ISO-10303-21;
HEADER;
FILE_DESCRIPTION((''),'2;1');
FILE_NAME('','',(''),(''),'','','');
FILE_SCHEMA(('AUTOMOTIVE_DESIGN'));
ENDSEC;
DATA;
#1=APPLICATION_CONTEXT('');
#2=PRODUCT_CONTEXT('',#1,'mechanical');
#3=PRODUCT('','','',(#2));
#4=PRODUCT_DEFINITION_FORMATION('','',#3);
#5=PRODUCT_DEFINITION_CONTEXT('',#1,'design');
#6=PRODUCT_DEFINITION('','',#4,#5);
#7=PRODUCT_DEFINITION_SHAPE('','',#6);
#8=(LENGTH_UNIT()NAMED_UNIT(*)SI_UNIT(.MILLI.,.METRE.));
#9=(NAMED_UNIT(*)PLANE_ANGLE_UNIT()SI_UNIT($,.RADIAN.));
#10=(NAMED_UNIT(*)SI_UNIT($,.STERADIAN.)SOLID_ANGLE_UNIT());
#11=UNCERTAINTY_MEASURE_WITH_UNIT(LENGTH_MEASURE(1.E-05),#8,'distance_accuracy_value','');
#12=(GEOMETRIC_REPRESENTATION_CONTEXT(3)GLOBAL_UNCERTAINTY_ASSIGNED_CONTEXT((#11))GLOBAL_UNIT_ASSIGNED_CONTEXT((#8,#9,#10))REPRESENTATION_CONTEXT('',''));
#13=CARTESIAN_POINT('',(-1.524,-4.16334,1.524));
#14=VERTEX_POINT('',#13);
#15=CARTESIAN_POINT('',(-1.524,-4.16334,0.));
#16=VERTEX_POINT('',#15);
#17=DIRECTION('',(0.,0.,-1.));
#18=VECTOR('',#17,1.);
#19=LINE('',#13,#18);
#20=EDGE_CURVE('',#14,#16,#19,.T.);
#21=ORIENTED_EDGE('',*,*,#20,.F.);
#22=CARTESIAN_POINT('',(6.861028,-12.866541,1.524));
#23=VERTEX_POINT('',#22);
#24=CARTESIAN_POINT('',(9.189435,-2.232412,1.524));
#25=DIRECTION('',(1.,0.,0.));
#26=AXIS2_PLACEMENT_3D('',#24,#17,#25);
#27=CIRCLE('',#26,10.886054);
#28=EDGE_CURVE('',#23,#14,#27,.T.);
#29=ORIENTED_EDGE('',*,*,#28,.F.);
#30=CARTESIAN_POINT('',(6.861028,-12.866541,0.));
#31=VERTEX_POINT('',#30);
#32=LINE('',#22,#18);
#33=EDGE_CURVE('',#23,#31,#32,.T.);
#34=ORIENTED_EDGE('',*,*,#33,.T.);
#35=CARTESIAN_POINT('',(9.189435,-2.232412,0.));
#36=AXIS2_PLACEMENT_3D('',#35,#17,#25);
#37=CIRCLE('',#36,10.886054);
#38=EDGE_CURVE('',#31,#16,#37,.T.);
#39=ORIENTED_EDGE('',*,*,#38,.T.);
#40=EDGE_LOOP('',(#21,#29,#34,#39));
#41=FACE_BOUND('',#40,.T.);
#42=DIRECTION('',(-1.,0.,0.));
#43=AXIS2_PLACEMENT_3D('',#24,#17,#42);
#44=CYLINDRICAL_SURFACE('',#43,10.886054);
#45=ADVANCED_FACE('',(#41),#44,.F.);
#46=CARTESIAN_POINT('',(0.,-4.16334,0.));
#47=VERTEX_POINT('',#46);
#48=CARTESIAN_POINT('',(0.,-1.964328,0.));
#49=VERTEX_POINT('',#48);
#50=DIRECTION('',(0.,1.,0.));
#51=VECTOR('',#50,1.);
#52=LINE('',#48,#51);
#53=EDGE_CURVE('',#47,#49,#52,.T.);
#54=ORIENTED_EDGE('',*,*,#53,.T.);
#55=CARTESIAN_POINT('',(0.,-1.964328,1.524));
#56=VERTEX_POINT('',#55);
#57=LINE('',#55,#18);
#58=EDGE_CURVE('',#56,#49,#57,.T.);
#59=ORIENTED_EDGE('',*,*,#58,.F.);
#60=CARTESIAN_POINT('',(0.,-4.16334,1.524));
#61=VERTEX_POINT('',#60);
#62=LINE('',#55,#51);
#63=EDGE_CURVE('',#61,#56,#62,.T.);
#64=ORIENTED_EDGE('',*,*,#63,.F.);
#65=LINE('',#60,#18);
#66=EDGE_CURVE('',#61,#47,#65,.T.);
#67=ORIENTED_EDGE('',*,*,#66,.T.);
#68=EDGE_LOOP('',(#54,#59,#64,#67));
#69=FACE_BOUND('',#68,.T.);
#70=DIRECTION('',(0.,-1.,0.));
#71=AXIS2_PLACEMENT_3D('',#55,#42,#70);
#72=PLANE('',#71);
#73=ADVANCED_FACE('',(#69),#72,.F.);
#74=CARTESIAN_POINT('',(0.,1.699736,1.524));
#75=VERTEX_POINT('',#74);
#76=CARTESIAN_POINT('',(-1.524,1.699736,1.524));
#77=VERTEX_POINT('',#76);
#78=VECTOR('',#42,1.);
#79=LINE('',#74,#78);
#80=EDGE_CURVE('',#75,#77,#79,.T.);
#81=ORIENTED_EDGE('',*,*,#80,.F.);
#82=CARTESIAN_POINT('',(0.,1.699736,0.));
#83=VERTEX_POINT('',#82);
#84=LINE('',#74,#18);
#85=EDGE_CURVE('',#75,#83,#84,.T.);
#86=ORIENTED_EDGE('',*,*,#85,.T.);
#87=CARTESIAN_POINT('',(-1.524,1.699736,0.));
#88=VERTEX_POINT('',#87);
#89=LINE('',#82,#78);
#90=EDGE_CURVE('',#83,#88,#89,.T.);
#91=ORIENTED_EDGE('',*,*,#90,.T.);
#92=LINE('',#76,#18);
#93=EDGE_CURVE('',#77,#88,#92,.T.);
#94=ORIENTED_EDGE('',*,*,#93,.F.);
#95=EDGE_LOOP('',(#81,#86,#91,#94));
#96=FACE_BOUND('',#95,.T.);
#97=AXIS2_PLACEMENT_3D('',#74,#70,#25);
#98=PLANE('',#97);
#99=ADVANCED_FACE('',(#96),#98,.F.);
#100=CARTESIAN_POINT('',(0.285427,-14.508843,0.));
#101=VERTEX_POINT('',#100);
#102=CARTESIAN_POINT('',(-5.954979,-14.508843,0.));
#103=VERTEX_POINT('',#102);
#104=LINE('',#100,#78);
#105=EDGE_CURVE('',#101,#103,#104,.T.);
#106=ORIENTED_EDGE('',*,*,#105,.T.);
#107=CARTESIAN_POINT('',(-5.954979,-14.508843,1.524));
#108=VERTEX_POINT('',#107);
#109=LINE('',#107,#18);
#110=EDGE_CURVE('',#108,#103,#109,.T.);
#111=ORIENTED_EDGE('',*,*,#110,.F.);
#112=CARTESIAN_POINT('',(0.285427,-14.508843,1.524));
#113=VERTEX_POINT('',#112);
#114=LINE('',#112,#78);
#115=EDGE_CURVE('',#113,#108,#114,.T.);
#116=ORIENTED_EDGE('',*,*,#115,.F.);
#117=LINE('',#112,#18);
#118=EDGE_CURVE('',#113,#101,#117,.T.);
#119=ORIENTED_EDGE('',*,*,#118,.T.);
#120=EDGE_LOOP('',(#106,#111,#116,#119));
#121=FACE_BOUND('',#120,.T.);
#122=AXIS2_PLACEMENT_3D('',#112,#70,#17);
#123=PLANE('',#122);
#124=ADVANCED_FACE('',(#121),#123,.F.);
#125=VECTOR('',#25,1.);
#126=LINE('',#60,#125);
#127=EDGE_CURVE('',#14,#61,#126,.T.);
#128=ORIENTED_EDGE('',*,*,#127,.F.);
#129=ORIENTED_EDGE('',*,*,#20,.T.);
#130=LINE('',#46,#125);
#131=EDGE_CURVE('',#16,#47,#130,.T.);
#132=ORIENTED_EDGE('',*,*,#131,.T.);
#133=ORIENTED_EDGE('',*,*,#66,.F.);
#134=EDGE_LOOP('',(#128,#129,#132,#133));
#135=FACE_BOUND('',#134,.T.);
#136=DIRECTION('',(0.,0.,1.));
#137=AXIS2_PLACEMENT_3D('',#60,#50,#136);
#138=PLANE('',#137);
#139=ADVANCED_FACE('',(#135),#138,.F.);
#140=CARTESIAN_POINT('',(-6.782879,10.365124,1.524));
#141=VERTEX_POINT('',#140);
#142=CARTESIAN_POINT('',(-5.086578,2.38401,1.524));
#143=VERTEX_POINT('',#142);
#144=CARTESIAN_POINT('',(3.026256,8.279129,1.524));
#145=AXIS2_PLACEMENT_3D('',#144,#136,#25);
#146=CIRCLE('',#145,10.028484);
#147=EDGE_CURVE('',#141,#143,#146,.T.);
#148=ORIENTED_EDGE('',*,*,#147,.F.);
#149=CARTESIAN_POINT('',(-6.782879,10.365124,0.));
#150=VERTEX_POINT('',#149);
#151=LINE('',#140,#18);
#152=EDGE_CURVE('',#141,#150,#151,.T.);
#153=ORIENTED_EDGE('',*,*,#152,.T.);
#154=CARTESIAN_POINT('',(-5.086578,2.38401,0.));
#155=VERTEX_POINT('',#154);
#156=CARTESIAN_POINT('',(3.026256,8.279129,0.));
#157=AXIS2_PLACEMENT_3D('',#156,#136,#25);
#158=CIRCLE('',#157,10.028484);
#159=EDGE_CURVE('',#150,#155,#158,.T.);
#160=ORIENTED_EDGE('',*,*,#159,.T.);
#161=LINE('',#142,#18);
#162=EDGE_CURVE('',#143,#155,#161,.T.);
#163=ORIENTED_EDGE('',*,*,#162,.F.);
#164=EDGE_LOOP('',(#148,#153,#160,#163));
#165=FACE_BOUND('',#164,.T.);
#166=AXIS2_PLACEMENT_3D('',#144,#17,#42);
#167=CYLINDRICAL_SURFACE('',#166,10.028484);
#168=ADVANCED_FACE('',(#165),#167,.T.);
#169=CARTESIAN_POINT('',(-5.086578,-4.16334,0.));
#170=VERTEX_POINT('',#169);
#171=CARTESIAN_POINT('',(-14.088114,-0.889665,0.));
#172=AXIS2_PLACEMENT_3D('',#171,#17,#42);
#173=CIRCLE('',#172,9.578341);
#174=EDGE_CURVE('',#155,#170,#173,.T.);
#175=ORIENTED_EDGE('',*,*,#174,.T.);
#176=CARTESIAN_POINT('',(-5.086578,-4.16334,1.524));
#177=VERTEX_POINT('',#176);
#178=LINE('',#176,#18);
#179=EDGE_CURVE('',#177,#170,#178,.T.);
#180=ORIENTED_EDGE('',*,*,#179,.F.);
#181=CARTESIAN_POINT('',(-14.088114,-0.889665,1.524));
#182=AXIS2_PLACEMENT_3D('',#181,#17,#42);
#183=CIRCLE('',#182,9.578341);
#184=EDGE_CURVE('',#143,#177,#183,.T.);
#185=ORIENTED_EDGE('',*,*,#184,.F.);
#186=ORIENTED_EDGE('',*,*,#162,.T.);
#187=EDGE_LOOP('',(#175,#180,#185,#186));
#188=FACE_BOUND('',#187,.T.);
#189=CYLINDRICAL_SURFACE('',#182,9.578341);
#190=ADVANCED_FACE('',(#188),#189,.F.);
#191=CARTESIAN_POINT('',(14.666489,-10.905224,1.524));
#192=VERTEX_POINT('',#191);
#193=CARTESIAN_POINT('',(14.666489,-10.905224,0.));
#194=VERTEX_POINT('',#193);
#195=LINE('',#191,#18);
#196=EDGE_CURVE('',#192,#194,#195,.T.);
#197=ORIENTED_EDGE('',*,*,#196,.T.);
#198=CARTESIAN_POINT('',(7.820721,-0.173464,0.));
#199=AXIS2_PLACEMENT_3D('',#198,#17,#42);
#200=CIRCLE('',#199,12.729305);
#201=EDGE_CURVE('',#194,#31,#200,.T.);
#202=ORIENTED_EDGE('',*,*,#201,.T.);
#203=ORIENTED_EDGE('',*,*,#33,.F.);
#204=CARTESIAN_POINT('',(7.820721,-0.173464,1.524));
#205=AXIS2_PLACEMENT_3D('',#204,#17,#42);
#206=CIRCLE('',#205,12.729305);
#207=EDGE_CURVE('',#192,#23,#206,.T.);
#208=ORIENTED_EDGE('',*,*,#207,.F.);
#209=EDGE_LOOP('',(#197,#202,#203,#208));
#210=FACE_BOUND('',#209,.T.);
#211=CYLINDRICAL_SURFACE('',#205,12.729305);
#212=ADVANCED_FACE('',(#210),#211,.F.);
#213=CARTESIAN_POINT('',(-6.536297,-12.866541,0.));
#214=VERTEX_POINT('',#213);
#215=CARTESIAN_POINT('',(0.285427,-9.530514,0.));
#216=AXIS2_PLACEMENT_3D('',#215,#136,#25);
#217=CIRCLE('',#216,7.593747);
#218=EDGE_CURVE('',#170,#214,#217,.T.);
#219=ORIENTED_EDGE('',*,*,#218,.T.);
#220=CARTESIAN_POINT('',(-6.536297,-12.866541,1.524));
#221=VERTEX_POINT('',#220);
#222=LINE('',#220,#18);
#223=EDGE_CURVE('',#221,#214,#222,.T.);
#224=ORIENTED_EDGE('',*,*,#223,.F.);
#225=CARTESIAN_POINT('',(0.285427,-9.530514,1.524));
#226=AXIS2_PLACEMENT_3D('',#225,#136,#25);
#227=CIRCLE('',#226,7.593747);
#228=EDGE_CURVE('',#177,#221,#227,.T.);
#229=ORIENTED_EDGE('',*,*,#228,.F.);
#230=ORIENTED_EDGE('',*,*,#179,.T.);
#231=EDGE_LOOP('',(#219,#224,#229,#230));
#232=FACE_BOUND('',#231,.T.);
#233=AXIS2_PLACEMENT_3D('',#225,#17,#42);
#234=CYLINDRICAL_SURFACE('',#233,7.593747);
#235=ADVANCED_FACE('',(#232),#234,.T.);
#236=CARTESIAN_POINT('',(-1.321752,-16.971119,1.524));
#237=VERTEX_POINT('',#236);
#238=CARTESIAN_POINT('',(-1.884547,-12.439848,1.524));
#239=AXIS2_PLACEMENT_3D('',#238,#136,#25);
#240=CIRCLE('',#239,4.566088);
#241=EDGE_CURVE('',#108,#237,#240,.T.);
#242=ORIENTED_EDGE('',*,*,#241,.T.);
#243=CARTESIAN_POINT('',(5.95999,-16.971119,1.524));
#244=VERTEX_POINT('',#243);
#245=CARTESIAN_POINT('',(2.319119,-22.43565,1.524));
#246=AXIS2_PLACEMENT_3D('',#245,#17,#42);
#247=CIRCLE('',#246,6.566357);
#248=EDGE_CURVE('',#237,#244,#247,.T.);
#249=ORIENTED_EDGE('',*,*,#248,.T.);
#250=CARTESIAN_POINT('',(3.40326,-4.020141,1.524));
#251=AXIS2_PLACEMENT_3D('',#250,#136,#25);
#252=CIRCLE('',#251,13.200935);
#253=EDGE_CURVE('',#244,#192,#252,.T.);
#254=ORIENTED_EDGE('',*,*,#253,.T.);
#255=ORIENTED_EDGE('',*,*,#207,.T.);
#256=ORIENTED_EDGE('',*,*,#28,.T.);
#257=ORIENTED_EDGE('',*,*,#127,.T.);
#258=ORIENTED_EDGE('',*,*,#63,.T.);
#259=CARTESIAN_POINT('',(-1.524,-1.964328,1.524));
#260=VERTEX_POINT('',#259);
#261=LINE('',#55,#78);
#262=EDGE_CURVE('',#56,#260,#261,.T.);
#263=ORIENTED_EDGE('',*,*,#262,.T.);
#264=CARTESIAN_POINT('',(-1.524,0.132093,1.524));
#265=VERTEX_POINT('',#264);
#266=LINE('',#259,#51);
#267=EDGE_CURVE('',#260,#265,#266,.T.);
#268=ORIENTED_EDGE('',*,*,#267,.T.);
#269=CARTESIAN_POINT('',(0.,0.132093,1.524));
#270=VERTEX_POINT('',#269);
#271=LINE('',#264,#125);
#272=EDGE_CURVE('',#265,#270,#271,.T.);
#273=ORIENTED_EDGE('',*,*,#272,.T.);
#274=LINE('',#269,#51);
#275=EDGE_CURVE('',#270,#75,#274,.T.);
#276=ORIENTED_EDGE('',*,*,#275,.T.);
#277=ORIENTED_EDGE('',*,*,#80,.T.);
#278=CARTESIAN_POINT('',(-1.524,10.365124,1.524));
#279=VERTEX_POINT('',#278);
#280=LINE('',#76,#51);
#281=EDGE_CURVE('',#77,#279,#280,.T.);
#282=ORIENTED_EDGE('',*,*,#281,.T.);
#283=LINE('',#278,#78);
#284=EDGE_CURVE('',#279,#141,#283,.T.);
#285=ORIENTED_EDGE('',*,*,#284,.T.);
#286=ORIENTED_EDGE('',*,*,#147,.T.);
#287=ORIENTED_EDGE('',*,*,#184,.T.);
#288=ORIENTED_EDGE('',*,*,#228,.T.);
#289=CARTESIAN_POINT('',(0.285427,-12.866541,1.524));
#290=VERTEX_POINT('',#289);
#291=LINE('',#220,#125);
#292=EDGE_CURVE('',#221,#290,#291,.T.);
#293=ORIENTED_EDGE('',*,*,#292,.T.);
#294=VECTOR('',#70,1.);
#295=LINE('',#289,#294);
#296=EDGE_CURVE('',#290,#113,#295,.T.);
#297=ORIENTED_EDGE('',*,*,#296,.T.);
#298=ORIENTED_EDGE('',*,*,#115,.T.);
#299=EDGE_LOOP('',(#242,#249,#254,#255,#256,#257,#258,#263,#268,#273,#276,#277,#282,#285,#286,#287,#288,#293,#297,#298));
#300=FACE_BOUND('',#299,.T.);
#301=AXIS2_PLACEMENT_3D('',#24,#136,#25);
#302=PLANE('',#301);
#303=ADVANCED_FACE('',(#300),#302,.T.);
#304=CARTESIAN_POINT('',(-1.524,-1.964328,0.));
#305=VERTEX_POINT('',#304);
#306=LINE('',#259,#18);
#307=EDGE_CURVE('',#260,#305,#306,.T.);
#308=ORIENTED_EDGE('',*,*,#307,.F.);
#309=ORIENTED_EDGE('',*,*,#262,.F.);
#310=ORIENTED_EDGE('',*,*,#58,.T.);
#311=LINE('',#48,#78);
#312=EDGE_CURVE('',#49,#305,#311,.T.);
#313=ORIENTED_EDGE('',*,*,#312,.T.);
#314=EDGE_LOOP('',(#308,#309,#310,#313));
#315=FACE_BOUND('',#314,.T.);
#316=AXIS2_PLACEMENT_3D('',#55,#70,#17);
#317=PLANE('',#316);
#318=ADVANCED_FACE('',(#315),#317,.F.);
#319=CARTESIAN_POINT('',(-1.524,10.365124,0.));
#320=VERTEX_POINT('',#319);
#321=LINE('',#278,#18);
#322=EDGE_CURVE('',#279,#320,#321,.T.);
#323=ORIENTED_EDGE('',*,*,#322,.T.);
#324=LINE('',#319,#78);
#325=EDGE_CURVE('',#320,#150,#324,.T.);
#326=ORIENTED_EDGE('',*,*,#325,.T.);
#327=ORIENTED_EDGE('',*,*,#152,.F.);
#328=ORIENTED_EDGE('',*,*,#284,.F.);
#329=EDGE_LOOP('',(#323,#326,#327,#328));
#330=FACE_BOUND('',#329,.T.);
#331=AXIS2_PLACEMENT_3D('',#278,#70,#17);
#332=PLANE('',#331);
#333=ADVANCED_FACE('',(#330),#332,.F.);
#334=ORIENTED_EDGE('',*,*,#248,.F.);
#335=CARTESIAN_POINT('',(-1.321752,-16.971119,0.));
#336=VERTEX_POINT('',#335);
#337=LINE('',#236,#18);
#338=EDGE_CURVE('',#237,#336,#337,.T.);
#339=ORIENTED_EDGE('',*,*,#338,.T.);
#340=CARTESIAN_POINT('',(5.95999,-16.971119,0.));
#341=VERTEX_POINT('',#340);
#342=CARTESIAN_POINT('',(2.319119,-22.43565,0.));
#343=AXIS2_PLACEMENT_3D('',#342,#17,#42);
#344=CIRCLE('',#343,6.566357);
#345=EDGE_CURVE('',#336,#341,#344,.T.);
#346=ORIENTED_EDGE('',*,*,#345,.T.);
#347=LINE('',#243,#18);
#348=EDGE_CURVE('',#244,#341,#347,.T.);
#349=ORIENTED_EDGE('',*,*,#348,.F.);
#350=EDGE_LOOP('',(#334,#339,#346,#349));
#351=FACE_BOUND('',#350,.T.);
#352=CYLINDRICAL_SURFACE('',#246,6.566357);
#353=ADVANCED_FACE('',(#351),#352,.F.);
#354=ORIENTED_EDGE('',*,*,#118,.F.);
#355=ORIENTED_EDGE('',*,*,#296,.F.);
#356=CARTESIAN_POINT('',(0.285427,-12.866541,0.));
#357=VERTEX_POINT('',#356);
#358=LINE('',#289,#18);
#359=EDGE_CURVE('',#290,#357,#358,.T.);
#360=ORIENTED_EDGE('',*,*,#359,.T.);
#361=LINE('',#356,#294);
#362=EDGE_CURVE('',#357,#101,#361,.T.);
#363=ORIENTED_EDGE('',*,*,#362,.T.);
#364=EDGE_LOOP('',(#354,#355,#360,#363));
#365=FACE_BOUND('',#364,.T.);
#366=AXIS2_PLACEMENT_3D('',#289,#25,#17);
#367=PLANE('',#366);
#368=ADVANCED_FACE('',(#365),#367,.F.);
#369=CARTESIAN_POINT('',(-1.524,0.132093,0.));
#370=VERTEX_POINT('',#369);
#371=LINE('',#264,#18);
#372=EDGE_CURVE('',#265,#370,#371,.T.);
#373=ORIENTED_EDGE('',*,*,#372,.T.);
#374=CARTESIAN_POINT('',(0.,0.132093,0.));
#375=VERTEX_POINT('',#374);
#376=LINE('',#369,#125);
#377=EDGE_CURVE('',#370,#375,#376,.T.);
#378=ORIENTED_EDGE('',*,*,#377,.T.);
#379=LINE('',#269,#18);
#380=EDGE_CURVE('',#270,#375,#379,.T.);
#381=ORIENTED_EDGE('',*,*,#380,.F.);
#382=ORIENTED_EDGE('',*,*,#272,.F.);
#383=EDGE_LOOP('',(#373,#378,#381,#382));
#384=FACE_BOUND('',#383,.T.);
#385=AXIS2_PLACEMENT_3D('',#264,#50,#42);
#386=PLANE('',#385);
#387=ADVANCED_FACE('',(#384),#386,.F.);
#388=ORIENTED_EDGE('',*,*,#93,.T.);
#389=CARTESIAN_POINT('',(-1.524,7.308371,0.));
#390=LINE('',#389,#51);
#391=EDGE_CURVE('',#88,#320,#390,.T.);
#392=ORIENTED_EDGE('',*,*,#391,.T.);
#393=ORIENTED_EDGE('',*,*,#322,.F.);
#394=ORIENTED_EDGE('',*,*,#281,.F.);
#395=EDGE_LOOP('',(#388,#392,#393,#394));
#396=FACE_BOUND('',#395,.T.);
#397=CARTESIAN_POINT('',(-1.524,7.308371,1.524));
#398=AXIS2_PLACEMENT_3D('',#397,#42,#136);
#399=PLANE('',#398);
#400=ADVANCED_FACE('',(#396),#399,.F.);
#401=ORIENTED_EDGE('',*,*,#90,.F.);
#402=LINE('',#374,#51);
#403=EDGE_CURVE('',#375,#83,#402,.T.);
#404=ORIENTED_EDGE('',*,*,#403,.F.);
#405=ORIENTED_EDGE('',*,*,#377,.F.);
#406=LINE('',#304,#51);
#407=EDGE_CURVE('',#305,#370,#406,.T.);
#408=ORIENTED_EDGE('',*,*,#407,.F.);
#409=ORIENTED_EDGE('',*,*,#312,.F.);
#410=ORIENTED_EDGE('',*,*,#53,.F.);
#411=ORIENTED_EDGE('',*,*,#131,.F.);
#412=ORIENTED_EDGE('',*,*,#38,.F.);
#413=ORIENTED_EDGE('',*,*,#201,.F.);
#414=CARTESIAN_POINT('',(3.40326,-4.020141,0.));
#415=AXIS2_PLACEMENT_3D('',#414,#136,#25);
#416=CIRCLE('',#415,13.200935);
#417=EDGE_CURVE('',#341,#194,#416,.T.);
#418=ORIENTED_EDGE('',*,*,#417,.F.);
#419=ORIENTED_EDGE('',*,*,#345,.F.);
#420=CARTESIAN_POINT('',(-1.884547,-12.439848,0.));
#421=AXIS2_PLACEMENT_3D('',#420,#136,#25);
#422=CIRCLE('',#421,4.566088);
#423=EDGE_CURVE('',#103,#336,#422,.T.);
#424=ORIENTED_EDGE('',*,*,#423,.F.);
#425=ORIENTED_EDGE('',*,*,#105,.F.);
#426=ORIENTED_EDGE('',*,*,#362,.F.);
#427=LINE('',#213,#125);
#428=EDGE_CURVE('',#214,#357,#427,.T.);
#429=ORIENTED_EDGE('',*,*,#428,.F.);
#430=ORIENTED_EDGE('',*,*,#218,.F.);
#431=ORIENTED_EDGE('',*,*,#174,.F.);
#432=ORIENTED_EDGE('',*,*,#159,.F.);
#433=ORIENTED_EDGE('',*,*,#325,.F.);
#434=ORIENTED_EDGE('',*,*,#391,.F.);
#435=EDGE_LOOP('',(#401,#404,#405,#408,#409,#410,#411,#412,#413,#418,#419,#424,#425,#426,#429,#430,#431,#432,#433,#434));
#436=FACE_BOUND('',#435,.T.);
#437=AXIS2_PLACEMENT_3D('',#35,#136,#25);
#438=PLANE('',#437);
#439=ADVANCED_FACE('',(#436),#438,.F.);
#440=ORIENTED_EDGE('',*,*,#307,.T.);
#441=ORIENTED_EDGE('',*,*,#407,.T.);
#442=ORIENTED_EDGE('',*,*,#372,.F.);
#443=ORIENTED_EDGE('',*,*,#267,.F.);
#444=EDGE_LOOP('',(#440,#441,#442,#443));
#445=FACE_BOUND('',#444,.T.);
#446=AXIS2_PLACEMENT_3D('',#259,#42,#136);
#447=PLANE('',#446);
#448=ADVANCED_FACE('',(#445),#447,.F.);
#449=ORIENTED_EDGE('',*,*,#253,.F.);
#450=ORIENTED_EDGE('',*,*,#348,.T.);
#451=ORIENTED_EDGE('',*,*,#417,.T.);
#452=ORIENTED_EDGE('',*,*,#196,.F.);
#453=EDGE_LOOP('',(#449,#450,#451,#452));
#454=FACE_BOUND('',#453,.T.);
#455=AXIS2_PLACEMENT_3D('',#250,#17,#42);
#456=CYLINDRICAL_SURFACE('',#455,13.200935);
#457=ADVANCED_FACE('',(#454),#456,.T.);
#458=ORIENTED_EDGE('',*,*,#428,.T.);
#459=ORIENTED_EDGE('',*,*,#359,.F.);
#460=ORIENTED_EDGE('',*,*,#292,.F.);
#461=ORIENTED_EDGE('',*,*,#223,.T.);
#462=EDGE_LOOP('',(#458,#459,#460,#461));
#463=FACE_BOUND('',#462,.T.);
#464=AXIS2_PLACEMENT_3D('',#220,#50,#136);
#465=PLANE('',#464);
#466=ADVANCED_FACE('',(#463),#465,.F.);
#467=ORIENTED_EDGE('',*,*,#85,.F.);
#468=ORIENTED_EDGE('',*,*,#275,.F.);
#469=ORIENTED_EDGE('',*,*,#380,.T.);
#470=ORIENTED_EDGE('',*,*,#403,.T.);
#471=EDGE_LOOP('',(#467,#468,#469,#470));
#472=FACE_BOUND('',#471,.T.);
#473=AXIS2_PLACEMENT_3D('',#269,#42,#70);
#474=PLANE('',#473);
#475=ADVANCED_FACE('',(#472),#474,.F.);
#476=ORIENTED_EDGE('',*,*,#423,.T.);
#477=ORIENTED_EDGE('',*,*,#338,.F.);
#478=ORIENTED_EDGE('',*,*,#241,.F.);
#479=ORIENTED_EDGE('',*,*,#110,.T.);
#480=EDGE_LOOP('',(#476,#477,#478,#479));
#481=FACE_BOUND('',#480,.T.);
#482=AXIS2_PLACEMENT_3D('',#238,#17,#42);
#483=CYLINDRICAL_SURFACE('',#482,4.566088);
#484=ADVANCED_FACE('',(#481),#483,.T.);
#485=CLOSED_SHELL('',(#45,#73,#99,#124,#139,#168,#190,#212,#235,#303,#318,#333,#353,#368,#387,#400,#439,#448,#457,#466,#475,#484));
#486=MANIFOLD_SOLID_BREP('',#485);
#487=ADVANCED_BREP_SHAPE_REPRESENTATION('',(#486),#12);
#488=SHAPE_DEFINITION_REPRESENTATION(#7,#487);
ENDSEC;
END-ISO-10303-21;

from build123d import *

# Parameters (mm, degrees)
BOSS_EXTRUDE1_DEPTH = 1.524


with BuildPart() as part:
    # Sketch1 → Boss-Extrude1 (new body)
    with BuildSketch(Plane.XY):
        with BuildLine():
            Line((0, -1.964327556), (-1.524, -1.964327556))
            Line((-1.524, -1.964327556), (-1.524, 0.132092651))
            Line((-1.524, 0.132092651), (0, 0.132092651))
            Line((0, 0.132092651), (0, 1.699735594))
            Line((0, 1.699735594), (-1.524, 1.699735594))
            Line((-1.524, 1.699735594), (-1.524, 7.30837055))
            Line((-1.524, 7.30837055), (-1.524, 10.365124178))
            Line((-1.524, 10.365124178), (-6.782878703, 10.365124178))
            ThreePointArc((-6.782878703, 10.365124178), (-6.783116279, 6.194251187), (-5.086577691, 2.384009936))
            ThreePointArc((-5.086577691, 2.384009936), (-4.509773665, -0.889665066), (-5.086577691, -4.163340068))
            ThreePointArc((-5.086577691, -4.163340068), (-7.205112449, -8.282791607), (-6.536296983, -12.866540768))
            Line((-6.536296983, -12.866540768), (0.285426682, -12.866540768))
            Line((0.285426682, -12.866540768), (0.285426682, -14.508842733))
            Line((0.285426682, -14.508842733), (-5.954978709, -14.508842733))
            ThreePointArc((-5.954978709, -14.508842733), (-4.027344351, -16.471916174), (-1.321752383, -16.971119191))
            ThreePointArc((-1.321752383, -16.971119191), (2.319118957, -15.86929322), (5.959990297, -16.971119191))
            ThreePointArc((5.959990297, -16.971119191), (10.949556437, -14.851489508), (14.666489015, -10.905223871))
            ThreePointArc((14.666489015, -10.905223871), (10.922843112, -12.5189914), (6.861028282, -12.866540768))
            ThreePointArc((6.861028282, -12.866540768), (1.349866502, -9.785380814), (-1.524, -4.163340068))
            Line((-1.524, -4.163340068), (0, -4.163340068))
            Line((0, -4.163340068), (0, -1.964327556))
        make_face()
    extrude(amount=BOSS_EXTRUDE1_DEPTH)


solid = part.part
